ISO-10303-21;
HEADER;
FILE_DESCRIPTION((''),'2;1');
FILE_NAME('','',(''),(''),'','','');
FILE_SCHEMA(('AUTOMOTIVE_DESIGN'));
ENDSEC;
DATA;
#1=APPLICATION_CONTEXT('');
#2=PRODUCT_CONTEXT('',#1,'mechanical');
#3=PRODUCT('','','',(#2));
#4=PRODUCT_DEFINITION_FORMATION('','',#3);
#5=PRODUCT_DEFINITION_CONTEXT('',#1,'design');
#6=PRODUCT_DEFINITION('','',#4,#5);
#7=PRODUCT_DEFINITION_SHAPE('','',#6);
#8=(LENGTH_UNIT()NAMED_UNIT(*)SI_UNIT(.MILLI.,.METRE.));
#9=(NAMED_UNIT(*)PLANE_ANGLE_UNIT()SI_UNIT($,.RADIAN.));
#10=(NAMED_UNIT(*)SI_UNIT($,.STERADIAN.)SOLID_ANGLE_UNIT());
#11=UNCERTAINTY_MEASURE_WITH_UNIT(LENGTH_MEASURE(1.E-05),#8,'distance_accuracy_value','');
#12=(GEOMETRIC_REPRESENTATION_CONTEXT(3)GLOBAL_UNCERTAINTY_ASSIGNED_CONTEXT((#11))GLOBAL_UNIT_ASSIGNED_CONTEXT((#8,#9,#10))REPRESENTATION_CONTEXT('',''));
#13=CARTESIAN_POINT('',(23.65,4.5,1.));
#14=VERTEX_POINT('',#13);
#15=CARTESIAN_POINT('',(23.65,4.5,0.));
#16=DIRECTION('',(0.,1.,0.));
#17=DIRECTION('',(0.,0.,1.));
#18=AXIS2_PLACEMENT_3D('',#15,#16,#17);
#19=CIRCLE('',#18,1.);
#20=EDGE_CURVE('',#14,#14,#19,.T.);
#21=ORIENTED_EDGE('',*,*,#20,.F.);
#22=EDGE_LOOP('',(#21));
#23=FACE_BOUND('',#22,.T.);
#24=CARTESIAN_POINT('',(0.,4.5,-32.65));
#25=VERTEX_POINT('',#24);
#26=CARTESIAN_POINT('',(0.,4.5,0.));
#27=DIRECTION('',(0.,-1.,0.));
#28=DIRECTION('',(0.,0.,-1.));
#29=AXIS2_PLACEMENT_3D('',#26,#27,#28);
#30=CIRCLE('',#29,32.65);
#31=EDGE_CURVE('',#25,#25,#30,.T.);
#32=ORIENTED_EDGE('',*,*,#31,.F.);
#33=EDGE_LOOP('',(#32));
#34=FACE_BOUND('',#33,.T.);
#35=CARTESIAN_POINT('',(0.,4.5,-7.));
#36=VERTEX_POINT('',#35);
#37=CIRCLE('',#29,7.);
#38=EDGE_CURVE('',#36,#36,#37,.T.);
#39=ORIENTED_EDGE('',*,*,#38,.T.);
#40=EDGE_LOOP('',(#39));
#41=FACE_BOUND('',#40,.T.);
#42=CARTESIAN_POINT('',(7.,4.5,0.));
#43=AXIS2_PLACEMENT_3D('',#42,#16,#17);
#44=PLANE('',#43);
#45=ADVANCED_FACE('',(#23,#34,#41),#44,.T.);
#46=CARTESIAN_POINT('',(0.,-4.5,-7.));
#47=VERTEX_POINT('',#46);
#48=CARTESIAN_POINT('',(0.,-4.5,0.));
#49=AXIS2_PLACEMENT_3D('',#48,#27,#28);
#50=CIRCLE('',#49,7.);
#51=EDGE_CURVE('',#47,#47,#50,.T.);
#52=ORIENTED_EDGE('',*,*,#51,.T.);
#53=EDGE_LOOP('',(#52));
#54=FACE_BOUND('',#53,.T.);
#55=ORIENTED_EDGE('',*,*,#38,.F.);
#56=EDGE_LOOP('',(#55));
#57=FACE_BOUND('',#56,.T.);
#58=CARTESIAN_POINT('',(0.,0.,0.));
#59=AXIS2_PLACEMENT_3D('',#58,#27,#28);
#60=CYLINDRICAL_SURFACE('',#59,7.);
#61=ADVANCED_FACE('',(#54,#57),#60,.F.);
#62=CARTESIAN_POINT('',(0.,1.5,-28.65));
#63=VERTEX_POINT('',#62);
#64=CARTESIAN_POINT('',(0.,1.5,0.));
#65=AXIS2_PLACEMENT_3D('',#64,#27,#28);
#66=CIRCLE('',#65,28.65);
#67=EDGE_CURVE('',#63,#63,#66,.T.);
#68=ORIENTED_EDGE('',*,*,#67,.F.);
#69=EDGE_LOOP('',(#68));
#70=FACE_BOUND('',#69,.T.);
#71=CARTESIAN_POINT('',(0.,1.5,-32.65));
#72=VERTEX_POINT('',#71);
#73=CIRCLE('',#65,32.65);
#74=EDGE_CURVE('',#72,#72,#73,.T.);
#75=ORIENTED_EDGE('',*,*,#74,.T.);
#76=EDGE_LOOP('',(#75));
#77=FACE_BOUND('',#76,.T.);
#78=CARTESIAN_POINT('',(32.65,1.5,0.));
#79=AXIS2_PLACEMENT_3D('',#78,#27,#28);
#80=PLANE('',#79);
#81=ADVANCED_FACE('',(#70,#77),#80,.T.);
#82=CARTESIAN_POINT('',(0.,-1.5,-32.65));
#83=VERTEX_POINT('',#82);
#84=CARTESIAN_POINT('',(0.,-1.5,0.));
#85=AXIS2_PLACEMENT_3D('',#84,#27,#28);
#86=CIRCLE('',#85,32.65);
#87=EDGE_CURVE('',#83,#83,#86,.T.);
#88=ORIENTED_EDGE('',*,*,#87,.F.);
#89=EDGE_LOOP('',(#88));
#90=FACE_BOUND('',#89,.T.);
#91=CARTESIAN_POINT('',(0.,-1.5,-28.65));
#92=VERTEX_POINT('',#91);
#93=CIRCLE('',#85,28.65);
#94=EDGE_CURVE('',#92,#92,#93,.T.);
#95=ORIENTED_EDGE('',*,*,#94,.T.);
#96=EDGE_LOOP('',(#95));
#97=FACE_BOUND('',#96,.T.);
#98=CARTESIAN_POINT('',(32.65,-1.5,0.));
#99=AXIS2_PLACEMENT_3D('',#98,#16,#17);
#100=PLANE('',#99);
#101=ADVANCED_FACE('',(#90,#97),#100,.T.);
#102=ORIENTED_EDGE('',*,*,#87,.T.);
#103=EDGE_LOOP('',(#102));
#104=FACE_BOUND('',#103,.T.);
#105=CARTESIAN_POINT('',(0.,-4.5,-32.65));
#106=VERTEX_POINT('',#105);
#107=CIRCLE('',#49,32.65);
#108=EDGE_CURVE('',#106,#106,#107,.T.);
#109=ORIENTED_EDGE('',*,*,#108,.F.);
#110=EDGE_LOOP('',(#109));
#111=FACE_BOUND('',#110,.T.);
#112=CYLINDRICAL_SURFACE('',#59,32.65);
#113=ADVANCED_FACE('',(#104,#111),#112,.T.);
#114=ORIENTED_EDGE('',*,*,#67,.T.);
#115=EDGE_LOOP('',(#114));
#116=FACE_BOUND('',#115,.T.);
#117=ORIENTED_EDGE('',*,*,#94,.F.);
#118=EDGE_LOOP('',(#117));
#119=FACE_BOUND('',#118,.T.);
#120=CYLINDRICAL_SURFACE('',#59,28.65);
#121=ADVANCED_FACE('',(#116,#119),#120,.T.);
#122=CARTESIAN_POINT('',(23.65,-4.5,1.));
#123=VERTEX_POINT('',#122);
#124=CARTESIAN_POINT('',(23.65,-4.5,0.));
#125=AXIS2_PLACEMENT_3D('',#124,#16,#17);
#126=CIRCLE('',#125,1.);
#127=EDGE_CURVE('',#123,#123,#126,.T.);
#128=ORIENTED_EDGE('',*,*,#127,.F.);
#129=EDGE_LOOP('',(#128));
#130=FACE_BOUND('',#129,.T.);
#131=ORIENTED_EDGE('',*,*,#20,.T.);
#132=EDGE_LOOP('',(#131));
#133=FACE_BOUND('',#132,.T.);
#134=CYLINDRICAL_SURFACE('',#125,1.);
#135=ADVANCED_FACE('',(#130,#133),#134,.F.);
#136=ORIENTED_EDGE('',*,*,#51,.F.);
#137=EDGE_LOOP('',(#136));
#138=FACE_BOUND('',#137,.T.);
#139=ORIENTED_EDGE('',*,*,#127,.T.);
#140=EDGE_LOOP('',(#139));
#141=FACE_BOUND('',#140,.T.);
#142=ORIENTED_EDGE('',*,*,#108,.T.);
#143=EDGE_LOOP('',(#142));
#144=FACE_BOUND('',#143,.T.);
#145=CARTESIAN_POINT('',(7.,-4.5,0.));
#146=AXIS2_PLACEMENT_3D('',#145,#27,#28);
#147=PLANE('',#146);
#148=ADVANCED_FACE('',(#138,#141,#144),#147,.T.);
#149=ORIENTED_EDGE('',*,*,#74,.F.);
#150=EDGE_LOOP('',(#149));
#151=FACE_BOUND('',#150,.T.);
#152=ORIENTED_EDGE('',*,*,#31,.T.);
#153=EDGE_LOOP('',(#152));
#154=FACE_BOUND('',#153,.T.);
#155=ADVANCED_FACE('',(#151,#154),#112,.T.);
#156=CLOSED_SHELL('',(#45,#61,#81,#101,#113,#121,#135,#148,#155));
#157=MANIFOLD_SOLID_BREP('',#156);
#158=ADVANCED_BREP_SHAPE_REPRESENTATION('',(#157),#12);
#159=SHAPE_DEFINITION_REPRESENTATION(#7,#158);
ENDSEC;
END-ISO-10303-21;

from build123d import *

# Parameters (mm, degrees)
SKETCH2_R          = 1
CUT_EXTRUDE1_DEPTH = 48.043012233


with BuildPart() as part:
    # Sketch1 → Revolve1 (revolve)
    with BuildSketch(Plane.XY, mode=Mode.PRIVATE) as revolve1_sk:
        Polygon((7, 4.5), (32.65, 4.5), (32.65, 1.5), (28.65, 1.5), (28.65, -1.5), (32.65, -1.5), (32.65, -4.5), (7, -4.5), align=None)
    revolve(revolve1_sk.sketch.rotate(Axis((0, 0, 0), (0, 1, 0)), 90), axis=Axis((0, 0, 0), (0, 1, 0)))

    # Sketch2 → Cut-Extrude1 (cut, through all)
    with BuildSketch(Plane(origin=(0, 4.5, 0), x_dir=(1, 0, 0), z_dir=(0, 1, 0))):
        with Locations(Location((23.65, 0, 0), (0, 0, 270))):
            Circle(SKETCH2_R)
    extrude(amount=-CUT_EXTRUDE1_DEPTH, mode=Mode.SUBTRACT)


solid = part.part
